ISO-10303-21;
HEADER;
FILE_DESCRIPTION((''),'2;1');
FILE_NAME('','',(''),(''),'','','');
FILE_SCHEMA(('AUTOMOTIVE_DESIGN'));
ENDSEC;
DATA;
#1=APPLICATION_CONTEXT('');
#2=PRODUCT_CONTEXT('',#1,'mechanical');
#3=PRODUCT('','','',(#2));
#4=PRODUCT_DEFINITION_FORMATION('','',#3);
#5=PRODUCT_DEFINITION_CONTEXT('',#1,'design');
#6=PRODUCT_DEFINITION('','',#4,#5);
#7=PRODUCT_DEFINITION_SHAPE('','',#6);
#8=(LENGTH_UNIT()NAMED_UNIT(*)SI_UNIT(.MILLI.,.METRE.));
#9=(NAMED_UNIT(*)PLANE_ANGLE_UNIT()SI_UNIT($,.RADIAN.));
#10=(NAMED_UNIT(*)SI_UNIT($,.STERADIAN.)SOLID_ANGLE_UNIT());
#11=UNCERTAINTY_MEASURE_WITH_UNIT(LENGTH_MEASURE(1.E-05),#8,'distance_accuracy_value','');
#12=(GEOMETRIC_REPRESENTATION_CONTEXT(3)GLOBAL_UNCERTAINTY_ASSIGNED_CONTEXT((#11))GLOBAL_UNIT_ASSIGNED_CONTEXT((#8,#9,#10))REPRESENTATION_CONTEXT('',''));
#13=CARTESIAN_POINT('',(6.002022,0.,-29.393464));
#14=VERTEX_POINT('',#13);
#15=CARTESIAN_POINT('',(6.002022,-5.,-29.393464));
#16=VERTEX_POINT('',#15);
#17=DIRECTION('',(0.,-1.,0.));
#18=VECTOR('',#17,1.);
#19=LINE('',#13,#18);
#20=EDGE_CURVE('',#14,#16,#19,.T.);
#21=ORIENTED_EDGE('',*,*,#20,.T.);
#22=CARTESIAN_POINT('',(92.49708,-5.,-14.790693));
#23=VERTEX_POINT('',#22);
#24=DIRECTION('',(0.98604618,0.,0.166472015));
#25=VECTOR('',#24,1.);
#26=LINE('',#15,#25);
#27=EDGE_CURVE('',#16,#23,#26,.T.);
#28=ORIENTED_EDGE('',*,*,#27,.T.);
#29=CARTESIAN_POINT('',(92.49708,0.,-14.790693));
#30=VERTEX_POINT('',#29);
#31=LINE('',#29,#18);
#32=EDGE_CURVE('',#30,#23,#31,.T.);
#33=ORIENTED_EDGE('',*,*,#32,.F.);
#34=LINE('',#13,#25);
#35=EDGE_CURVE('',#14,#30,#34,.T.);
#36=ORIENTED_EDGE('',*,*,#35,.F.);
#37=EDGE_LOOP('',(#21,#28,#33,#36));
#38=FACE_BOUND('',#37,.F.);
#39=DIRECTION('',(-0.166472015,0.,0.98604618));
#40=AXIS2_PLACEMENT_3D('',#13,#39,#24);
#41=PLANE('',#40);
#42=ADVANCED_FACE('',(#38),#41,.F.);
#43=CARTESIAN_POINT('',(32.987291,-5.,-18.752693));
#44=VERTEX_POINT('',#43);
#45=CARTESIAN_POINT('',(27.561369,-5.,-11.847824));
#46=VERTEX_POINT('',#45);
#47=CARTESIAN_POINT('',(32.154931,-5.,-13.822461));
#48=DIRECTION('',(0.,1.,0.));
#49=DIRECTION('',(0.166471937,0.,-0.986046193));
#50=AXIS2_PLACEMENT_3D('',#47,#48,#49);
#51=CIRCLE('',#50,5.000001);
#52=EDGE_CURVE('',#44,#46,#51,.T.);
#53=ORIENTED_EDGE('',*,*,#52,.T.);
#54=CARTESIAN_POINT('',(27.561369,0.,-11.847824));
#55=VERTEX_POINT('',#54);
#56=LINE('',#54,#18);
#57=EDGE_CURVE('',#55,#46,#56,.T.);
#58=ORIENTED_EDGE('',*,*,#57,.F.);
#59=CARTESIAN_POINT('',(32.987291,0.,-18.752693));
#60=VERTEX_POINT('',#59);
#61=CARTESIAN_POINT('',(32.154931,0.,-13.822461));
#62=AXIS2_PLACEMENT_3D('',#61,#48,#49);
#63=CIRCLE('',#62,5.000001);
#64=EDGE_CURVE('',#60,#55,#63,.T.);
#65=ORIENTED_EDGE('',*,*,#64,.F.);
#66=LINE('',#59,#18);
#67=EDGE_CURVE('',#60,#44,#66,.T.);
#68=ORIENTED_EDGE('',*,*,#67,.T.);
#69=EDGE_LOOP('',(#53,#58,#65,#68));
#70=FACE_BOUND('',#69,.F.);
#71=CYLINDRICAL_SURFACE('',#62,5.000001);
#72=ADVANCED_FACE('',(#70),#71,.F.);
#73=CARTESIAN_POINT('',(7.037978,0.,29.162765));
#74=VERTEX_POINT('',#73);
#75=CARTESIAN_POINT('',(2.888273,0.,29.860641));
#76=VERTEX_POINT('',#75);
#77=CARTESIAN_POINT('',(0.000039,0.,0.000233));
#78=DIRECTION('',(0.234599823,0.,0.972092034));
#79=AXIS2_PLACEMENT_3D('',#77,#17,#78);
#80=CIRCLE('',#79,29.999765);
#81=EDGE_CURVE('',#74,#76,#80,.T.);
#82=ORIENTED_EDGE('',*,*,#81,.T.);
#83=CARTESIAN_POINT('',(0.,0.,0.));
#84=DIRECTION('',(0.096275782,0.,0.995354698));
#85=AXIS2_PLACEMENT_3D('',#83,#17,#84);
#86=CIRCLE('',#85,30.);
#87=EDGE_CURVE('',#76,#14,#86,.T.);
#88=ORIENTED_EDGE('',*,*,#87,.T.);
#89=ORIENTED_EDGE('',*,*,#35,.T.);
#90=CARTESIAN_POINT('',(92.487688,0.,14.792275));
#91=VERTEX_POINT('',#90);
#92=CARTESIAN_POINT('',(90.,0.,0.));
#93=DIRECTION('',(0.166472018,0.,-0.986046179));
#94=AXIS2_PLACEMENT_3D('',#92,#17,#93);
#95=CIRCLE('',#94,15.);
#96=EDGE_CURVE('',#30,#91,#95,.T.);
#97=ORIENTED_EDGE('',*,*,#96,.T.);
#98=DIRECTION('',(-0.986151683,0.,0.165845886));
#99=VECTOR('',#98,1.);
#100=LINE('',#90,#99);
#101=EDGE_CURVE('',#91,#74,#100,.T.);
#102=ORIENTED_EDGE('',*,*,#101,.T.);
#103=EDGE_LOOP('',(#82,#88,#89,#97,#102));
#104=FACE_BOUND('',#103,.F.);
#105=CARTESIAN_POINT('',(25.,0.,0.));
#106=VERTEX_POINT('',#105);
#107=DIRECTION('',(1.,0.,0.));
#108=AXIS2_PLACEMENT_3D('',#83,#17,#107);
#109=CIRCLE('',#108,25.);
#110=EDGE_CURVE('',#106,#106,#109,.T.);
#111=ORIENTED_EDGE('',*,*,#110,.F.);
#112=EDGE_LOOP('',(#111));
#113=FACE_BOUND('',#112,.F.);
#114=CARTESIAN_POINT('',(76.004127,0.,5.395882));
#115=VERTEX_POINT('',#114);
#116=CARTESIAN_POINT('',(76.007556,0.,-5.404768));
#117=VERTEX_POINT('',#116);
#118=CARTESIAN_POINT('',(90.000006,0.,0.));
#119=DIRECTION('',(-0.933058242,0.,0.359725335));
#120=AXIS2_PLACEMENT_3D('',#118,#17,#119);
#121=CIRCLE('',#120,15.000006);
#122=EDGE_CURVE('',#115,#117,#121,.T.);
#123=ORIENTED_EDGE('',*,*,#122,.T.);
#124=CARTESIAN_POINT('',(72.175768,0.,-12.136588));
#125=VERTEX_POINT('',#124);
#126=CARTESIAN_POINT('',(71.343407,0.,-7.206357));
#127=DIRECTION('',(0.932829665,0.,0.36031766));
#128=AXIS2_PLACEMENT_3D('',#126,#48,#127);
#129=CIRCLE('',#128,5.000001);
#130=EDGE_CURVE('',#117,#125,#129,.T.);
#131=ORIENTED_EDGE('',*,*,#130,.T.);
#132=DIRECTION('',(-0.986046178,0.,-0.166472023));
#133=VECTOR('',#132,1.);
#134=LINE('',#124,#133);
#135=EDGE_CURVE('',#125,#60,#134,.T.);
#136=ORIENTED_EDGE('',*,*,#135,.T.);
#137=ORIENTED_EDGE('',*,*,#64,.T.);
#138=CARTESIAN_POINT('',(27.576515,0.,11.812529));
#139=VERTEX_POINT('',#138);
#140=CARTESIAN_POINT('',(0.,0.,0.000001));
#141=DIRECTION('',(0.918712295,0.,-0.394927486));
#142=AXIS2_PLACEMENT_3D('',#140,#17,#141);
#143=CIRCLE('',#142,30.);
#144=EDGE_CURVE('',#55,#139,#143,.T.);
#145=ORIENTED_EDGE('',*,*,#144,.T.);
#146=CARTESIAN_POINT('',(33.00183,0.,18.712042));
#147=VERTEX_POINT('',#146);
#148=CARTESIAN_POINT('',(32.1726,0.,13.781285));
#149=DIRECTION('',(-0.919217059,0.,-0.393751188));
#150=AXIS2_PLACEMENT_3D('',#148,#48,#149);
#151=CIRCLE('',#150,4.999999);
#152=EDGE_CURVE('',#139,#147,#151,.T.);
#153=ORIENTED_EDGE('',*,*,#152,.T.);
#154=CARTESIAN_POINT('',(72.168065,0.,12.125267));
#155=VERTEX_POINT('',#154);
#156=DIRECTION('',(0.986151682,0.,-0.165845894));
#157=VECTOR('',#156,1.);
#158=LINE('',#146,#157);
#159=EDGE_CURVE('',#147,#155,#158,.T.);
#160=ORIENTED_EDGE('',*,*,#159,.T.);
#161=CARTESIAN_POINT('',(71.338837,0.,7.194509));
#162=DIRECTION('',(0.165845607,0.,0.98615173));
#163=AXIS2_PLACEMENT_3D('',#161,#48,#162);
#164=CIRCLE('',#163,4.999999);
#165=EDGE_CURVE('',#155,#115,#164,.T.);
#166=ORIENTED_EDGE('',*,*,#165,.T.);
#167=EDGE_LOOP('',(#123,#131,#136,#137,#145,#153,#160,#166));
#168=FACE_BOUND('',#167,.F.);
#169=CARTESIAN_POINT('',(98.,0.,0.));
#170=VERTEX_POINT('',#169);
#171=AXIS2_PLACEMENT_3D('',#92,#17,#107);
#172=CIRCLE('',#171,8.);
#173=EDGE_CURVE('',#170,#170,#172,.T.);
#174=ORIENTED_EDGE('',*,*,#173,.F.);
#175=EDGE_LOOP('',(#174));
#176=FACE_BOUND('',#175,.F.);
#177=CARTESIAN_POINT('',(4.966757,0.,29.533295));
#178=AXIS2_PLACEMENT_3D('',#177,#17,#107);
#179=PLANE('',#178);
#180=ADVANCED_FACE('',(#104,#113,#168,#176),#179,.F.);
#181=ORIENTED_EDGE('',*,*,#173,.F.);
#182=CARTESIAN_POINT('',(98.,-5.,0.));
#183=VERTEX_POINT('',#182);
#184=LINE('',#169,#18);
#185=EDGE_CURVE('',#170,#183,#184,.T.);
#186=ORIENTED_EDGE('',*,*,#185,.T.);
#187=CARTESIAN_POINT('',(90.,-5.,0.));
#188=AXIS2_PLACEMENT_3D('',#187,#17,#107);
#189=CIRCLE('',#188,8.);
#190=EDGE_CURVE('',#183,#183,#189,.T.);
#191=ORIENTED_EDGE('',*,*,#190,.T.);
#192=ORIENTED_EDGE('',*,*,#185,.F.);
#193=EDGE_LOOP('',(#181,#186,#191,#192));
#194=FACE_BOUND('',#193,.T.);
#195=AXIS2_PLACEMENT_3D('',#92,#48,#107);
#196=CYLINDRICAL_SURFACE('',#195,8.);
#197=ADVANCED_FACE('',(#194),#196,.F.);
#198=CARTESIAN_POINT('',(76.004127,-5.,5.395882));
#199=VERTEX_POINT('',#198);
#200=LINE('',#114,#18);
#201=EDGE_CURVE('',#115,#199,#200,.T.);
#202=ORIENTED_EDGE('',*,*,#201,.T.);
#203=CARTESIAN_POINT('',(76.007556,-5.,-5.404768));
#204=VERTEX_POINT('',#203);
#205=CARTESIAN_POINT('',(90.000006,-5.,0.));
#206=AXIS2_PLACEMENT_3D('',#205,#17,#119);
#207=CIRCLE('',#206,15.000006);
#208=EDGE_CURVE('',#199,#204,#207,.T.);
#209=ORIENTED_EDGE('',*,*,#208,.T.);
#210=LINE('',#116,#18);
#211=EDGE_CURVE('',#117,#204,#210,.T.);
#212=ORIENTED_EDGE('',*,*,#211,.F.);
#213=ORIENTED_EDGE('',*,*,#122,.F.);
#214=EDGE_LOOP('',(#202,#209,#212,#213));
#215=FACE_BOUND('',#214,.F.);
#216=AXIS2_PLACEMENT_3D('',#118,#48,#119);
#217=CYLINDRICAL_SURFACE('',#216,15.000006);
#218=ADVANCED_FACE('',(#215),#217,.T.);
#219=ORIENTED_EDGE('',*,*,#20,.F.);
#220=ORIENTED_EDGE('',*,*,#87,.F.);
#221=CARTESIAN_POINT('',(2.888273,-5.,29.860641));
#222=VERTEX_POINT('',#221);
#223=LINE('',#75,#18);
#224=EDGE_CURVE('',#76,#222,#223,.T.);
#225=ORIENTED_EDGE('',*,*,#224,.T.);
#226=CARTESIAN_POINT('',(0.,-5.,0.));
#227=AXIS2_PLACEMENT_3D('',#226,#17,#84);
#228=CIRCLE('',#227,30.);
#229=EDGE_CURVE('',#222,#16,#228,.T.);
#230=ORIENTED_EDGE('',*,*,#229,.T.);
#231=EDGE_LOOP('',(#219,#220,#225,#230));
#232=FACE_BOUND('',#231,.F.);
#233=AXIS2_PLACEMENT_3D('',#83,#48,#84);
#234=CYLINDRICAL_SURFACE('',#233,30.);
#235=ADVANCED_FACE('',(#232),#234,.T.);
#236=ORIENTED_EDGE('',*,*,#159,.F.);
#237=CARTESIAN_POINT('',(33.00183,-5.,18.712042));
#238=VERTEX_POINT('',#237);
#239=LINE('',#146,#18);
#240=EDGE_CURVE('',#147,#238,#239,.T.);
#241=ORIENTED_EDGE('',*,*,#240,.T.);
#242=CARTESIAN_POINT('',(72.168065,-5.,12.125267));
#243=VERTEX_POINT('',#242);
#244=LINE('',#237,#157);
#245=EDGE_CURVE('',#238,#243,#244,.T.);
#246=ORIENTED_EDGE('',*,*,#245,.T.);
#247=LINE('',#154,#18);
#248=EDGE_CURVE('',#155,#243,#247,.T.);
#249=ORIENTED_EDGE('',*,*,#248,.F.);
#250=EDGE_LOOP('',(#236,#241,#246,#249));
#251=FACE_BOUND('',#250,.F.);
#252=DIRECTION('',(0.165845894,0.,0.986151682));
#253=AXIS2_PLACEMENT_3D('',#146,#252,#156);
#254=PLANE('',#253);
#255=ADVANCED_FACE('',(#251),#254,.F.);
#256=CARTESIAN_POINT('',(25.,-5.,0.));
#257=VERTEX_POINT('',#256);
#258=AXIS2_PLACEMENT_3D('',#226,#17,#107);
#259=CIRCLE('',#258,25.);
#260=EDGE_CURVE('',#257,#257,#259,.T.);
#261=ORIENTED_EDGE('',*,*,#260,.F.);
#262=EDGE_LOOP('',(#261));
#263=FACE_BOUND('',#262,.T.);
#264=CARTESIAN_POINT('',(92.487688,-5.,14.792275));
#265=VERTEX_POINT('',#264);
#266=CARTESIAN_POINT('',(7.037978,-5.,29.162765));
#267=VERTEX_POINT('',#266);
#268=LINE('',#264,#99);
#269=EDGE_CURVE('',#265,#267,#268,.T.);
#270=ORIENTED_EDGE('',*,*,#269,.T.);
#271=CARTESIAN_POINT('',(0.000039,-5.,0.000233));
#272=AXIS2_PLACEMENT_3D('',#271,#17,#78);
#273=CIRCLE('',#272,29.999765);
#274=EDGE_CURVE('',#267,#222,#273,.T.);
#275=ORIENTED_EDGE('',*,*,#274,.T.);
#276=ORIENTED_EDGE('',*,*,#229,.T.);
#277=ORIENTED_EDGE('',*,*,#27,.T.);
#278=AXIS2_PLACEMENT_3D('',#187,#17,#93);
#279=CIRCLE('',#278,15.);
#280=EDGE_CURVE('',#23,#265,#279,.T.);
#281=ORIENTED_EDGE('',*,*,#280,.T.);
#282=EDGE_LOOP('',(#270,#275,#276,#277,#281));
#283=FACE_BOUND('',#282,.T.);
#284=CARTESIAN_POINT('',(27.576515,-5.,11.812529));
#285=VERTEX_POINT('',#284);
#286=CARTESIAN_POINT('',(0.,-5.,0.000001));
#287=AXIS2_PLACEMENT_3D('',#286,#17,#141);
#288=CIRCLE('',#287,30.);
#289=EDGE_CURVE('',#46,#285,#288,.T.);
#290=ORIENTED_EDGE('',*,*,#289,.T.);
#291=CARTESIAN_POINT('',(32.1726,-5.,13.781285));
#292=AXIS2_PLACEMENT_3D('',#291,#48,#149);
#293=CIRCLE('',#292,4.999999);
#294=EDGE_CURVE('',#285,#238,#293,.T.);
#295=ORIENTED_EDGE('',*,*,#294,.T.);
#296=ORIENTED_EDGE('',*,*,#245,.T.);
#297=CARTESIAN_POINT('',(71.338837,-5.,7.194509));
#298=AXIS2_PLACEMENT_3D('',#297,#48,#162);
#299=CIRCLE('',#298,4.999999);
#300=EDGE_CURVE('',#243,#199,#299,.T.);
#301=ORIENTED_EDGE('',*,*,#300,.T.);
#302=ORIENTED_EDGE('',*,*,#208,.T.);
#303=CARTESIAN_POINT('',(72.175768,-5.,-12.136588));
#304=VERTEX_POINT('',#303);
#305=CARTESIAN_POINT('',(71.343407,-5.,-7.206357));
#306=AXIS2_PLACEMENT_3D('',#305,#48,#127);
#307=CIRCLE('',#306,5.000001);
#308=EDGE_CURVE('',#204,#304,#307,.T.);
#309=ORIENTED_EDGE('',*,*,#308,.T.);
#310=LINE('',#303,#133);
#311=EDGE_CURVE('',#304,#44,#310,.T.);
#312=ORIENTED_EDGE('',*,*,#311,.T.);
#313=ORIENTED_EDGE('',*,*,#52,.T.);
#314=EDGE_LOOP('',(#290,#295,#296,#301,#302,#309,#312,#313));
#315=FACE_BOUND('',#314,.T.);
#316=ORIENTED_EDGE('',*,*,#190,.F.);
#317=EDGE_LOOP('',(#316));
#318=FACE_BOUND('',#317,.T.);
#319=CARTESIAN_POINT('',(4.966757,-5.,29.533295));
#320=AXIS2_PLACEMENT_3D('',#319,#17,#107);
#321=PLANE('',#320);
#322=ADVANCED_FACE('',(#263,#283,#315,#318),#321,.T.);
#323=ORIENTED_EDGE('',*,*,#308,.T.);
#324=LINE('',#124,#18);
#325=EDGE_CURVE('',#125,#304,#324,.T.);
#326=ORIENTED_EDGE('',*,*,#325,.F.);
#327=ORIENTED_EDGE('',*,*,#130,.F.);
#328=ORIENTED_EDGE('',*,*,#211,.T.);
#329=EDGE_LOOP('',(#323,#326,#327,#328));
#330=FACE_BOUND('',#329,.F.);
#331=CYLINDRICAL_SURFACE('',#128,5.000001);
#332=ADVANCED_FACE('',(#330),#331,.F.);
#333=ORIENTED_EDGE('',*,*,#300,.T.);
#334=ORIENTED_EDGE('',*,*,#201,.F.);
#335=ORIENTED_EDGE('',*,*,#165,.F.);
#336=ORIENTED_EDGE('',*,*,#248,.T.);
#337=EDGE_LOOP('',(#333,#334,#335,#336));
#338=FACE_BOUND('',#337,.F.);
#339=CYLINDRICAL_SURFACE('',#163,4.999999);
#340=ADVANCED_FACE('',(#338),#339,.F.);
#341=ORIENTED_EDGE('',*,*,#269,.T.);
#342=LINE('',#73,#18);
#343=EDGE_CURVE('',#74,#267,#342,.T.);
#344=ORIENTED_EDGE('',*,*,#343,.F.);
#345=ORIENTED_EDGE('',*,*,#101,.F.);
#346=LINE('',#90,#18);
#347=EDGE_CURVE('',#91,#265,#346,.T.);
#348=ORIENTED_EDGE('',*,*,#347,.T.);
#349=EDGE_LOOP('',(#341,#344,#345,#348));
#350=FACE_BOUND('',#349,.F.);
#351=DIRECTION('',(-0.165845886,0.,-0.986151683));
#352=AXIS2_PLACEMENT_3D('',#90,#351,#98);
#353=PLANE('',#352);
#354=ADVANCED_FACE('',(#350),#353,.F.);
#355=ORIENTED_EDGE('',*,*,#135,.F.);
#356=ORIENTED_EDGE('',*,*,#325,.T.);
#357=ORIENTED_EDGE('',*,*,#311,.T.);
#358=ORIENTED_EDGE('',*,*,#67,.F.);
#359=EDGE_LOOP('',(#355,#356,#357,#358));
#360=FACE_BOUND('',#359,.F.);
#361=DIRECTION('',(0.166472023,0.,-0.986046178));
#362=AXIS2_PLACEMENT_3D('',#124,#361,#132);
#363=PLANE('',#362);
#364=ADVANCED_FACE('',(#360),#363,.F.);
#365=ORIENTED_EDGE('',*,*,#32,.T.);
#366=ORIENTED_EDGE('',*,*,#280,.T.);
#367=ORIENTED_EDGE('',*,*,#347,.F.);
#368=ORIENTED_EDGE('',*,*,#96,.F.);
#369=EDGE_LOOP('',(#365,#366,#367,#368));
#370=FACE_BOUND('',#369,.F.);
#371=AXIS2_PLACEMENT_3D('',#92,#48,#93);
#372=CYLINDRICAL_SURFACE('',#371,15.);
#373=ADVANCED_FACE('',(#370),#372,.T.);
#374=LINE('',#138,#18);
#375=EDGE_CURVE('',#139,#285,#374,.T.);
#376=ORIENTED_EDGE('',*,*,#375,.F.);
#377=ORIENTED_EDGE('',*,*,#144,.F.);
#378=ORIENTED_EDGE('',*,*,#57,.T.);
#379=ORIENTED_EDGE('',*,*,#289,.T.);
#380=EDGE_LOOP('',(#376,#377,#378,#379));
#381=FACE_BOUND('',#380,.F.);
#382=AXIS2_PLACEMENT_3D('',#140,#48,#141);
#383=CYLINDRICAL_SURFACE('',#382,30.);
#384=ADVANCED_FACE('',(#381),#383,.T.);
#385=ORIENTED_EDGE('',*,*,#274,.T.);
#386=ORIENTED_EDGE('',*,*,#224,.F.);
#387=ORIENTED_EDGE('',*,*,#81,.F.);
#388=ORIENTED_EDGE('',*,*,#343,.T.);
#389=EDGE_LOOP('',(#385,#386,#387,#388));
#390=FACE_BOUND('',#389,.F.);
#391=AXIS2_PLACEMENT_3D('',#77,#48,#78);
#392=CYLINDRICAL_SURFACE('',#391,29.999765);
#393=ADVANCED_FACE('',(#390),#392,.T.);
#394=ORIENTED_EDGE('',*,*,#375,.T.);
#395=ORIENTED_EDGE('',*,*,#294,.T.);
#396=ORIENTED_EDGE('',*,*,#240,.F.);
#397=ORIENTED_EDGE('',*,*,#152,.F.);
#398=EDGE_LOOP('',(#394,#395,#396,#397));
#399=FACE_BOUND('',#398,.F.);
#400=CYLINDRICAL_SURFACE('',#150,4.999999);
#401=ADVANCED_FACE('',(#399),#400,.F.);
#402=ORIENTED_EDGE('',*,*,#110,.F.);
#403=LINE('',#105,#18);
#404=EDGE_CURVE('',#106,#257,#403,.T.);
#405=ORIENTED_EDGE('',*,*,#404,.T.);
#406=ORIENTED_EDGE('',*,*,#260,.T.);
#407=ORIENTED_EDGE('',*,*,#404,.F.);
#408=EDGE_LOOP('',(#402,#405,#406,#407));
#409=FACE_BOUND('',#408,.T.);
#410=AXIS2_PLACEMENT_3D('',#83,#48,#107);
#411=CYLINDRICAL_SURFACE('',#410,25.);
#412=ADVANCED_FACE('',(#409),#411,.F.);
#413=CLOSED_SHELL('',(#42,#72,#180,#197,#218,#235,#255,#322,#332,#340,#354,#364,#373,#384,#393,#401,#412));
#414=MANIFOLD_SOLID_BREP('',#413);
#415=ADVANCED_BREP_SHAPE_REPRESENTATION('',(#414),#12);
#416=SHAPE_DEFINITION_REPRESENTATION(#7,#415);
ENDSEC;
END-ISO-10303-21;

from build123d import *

# Parameters (mm, degrees)
F0_R     = 25
F0_R_2   = 8
F1_DEPTH = 5


with BuildPart() as f1:
    # F0 (on Front) → F1 (new body)
    with BuildSketch(Plane.XZ):
        with BuildLine():
            Line((2.888273, 29.860641), (7.037978, 29.162765))
            ThreePointArc((7.037978, 29.162765), (4.975377, 29.584551), (2.888273, 29.860641))
        make_face()
        with BuildLine():
            Line((92.487688, 14.792275), (7.037978, 29.162765))
            Line((7.037978, 29.162765), (2.888273, 29.860641))
            ThreePointArc((2.888273, 29.860641), (-29.958665, -1.5743), (6.002022, -29.393464))
            Line((6.002022, -29.393464), (92.49708, -14.790693))
            ThreePointArc((92.49708, -14.790693), (104.999999, 0.004762), (92.487688, 14.792275))
        make_face()
        with BuildLine():
            ThreePointArc((27.576515, 11.812529), (28.24219, 16.871895), (33.00183, 18.712042))
            Line((33.00183, 18.712042), (72.168065, 12.125267))
            ThreePointArc((72.168065, 12.125267), (75.682636, 9.670676), (76.004127, 5.395882))
            ThreePointArc((76.004127, 5.395882), (75.000001, -0.004762), (76.007556, -5.404768))
            ThreePointArc((76.007556, -5.404768), (75.688779, -9.679765), (72.175768, -12.136588))
            Line((72.175768, -12.136588), (32.987291, -18.752693))
            ThreePointArc((32.987291, -18.752693), (28.223524, -16.911805), (27.561369, -11.847824))
            ThreePointArc((27.561369, -11.847824), (29.999994, -0.019204), (27.576515, 11.812529))
        make_face(mode=Mode.SUBTRACT)
        Circle(F0_R, mode=Mode.SUBTRACT)
        with Locations((90, 0)):
            Circle(F0_R_2, mode=Mode.SUBTRACT)
    extrude(amount=F1_DEPTH)


solid = f1.part
